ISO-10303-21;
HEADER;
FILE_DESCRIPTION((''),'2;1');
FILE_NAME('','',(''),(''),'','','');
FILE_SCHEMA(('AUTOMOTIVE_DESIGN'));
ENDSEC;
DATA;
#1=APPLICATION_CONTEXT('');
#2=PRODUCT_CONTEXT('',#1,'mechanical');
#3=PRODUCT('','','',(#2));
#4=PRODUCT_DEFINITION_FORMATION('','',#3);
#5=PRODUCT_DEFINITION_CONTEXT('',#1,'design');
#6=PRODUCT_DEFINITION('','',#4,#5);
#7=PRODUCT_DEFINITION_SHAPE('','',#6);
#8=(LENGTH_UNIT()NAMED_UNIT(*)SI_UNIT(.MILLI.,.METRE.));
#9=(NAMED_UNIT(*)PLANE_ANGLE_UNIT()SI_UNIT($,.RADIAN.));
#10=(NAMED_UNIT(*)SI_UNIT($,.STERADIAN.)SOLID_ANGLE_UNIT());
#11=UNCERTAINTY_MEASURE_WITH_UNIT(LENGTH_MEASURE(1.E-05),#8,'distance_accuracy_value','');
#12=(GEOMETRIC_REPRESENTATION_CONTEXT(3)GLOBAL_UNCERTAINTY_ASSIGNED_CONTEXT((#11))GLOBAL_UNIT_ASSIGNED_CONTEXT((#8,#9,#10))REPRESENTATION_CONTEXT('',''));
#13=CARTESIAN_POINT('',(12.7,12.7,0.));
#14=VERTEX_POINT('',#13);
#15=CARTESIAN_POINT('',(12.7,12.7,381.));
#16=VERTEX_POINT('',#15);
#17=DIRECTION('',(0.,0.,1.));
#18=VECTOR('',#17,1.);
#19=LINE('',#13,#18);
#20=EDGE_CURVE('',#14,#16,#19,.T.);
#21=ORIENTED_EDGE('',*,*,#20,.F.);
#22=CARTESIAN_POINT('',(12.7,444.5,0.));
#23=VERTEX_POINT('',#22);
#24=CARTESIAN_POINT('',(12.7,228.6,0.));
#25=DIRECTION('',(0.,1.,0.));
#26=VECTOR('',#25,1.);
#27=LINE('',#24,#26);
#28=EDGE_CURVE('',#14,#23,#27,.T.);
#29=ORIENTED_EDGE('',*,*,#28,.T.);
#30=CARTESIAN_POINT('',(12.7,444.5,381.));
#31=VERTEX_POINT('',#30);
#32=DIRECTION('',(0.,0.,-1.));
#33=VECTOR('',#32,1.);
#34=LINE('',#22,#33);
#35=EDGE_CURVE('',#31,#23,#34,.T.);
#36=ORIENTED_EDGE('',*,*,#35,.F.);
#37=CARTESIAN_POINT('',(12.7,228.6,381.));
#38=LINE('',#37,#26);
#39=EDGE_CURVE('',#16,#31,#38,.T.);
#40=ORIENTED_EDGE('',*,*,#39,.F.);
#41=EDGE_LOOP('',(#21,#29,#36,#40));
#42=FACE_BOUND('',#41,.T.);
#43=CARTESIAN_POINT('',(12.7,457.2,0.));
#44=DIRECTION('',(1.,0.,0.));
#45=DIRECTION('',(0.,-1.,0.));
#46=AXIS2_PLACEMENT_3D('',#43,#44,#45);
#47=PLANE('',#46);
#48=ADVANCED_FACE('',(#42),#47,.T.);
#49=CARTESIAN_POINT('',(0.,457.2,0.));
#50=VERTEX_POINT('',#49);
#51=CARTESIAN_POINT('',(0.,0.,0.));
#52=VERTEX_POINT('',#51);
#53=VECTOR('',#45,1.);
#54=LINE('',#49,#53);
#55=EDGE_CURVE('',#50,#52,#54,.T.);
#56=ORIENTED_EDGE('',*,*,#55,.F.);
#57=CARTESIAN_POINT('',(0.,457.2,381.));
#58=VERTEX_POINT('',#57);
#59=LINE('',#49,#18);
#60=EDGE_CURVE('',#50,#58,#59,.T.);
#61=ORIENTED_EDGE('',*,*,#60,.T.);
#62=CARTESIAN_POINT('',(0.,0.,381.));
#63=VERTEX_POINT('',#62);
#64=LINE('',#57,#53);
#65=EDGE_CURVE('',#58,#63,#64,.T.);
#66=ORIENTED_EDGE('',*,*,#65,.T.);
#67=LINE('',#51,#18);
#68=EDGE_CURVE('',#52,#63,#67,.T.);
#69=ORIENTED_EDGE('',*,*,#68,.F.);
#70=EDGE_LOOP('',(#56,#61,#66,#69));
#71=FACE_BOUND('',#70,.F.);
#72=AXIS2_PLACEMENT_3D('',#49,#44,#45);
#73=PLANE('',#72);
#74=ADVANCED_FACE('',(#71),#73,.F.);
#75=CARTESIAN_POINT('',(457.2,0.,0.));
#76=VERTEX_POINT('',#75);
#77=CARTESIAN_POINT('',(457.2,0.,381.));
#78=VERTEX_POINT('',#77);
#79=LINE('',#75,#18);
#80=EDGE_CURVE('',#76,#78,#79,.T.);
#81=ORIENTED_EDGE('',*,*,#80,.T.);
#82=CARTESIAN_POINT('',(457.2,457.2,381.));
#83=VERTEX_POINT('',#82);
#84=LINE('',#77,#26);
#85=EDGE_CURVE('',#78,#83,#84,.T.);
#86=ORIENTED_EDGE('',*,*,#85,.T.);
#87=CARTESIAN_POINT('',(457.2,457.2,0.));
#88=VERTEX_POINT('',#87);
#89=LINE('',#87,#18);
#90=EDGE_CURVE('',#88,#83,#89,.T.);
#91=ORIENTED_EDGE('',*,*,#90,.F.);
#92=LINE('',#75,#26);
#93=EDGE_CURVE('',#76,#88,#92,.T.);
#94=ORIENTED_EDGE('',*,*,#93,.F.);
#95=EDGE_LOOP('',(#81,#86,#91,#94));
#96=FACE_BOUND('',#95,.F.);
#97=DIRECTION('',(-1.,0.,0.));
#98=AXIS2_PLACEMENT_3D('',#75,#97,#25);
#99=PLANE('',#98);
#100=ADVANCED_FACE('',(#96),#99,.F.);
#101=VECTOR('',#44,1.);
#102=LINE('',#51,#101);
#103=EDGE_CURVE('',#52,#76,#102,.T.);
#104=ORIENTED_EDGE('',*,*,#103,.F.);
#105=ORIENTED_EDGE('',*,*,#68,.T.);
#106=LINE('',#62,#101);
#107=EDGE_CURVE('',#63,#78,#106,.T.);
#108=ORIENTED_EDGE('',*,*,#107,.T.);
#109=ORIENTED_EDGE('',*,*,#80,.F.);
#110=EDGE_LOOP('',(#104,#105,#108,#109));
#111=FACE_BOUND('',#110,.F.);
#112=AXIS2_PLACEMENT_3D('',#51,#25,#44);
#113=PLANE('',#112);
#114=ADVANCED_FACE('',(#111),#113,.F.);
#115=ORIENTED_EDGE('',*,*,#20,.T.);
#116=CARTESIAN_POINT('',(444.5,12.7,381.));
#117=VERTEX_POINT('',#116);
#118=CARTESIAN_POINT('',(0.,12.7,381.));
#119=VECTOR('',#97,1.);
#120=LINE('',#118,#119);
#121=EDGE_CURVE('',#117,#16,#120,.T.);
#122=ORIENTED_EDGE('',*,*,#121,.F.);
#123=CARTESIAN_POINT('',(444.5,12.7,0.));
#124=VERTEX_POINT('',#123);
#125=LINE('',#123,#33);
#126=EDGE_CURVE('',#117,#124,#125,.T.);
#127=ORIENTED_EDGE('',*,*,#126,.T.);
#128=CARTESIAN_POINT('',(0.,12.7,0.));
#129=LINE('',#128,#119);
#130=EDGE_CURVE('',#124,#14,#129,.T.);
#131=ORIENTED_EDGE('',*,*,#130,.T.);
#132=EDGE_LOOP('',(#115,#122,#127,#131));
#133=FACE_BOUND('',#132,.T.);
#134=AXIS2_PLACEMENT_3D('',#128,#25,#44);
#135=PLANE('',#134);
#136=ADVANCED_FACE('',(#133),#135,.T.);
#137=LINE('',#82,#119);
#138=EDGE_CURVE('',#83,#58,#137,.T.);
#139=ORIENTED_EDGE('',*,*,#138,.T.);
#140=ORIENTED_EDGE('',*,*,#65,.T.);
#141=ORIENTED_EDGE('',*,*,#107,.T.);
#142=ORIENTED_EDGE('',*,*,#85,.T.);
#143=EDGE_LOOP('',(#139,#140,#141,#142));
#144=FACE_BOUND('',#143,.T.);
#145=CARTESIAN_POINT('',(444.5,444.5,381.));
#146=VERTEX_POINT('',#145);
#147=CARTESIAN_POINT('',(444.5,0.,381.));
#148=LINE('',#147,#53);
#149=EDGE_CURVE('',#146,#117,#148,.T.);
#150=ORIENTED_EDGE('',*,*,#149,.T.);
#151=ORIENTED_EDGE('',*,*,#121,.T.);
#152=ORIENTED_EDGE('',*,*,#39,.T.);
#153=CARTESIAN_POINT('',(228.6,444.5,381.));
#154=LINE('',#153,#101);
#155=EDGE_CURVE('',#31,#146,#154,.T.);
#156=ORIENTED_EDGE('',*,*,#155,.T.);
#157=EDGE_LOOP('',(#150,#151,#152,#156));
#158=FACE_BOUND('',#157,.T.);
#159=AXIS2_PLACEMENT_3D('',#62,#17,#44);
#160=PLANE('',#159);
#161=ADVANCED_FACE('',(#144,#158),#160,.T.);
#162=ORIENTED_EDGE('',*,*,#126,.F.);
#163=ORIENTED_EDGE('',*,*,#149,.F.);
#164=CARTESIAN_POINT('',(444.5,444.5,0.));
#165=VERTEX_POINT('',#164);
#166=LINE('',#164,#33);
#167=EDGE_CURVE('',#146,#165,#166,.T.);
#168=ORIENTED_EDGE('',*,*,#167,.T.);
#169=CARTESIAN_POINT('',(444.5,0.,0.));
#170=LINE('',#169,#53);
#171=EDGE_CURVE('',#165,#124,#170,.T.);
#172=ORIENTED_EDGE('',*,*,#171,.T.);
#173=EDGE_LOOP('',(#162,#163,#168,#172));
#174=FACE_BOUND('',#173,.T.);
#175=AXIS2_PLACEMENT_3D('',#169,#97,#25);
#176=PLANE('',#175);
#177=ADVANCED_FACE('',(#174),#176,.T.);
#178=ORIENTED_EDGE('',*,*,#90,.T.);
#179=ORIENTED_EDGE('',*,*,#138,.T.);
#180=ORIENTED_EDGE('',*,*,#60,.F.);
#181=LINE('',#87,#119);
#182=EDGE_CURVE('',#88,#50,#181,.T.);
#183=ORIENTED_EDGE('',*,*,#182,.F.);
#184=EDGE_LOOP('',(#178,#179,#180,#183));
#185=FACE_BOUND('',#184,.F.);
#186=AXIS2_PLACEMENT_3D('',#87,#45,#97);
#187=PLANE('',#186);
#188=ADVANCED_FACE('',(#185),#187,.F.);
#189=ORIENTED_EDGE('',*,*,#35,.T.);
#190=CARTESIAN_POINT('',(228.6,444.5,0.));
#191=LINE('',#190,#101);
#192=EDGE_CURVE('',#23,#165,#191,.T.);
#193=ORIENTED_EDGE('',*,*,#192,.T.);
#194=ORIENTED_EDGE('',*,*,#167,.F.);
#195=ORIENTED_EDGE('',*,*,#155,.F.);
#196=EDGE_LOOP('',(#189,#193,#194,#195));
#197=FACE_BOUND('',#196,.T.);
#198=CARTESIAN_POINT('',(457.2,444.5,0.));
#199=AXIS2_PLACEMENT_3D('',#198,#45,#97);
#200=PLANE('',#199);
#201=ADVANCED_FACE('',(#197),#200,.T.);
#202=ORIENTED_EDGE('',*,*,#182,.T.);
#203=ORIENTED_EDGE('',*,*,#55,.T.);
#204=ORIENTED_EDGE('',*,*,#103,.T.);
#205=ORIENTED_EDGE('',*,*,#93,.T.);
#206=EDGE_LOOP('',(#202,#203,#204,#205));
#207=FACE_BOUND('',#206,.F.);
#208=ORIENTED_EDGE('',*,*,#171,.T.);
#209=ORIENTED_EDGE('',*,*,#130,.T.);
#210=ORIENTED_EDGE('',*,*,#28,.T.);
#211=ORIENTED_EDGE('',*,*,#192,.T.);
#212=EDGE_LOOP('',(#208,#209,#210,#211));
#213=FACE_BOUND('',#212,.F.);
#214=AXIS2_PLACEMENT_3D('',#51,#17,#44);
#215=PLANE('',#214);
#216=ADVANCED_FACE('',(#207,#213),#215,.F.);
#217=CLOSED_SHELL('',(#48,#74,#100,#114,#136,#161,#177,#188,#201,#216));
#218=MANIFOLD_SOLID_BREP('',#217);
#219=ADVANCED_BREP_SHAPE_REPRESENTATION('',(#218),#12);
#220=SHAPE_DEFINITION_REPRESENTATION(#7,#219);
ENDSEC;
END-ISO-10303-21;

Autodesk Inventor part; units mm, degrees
ref_plane "YZ Plane" through (0, 0, 0) normal (1, 0, 0) x (0, 1, 0)
ref_plane "XZ Plane" through (0, 0, 0) normal (0, 1, 0) x (-1, 0, 0)
ref_plane "XY Plane" through (0, 0, 0) normal (0, 0, 1) x (1, 0, 0)
sketch "Sketch1" plane through (0, 0, 0) normal (0, 0, 1) x (1, 0, 0)
  line L0 (0, 0) -> (457.2, 0)
  line L1 (457.2, 0) -> (457.2, 457.2)
  line L2 (457.2, 457.2) -> (0, 457.2)
  line L3 (0, 457.2) -> (0, 0)
  dimension "d0" = 457.2
  dimension "d1" = 457.2
extrude "Extrusion1" add sketch "Sketch1" along normal blind 381
shell "Shell1" thickness 12.7 removed faces 2 at (304.8, 152.4, 0) at (304.8, 152.4, 381)
equation "\"d1\" = d0"
properties part number "Tunnel"
